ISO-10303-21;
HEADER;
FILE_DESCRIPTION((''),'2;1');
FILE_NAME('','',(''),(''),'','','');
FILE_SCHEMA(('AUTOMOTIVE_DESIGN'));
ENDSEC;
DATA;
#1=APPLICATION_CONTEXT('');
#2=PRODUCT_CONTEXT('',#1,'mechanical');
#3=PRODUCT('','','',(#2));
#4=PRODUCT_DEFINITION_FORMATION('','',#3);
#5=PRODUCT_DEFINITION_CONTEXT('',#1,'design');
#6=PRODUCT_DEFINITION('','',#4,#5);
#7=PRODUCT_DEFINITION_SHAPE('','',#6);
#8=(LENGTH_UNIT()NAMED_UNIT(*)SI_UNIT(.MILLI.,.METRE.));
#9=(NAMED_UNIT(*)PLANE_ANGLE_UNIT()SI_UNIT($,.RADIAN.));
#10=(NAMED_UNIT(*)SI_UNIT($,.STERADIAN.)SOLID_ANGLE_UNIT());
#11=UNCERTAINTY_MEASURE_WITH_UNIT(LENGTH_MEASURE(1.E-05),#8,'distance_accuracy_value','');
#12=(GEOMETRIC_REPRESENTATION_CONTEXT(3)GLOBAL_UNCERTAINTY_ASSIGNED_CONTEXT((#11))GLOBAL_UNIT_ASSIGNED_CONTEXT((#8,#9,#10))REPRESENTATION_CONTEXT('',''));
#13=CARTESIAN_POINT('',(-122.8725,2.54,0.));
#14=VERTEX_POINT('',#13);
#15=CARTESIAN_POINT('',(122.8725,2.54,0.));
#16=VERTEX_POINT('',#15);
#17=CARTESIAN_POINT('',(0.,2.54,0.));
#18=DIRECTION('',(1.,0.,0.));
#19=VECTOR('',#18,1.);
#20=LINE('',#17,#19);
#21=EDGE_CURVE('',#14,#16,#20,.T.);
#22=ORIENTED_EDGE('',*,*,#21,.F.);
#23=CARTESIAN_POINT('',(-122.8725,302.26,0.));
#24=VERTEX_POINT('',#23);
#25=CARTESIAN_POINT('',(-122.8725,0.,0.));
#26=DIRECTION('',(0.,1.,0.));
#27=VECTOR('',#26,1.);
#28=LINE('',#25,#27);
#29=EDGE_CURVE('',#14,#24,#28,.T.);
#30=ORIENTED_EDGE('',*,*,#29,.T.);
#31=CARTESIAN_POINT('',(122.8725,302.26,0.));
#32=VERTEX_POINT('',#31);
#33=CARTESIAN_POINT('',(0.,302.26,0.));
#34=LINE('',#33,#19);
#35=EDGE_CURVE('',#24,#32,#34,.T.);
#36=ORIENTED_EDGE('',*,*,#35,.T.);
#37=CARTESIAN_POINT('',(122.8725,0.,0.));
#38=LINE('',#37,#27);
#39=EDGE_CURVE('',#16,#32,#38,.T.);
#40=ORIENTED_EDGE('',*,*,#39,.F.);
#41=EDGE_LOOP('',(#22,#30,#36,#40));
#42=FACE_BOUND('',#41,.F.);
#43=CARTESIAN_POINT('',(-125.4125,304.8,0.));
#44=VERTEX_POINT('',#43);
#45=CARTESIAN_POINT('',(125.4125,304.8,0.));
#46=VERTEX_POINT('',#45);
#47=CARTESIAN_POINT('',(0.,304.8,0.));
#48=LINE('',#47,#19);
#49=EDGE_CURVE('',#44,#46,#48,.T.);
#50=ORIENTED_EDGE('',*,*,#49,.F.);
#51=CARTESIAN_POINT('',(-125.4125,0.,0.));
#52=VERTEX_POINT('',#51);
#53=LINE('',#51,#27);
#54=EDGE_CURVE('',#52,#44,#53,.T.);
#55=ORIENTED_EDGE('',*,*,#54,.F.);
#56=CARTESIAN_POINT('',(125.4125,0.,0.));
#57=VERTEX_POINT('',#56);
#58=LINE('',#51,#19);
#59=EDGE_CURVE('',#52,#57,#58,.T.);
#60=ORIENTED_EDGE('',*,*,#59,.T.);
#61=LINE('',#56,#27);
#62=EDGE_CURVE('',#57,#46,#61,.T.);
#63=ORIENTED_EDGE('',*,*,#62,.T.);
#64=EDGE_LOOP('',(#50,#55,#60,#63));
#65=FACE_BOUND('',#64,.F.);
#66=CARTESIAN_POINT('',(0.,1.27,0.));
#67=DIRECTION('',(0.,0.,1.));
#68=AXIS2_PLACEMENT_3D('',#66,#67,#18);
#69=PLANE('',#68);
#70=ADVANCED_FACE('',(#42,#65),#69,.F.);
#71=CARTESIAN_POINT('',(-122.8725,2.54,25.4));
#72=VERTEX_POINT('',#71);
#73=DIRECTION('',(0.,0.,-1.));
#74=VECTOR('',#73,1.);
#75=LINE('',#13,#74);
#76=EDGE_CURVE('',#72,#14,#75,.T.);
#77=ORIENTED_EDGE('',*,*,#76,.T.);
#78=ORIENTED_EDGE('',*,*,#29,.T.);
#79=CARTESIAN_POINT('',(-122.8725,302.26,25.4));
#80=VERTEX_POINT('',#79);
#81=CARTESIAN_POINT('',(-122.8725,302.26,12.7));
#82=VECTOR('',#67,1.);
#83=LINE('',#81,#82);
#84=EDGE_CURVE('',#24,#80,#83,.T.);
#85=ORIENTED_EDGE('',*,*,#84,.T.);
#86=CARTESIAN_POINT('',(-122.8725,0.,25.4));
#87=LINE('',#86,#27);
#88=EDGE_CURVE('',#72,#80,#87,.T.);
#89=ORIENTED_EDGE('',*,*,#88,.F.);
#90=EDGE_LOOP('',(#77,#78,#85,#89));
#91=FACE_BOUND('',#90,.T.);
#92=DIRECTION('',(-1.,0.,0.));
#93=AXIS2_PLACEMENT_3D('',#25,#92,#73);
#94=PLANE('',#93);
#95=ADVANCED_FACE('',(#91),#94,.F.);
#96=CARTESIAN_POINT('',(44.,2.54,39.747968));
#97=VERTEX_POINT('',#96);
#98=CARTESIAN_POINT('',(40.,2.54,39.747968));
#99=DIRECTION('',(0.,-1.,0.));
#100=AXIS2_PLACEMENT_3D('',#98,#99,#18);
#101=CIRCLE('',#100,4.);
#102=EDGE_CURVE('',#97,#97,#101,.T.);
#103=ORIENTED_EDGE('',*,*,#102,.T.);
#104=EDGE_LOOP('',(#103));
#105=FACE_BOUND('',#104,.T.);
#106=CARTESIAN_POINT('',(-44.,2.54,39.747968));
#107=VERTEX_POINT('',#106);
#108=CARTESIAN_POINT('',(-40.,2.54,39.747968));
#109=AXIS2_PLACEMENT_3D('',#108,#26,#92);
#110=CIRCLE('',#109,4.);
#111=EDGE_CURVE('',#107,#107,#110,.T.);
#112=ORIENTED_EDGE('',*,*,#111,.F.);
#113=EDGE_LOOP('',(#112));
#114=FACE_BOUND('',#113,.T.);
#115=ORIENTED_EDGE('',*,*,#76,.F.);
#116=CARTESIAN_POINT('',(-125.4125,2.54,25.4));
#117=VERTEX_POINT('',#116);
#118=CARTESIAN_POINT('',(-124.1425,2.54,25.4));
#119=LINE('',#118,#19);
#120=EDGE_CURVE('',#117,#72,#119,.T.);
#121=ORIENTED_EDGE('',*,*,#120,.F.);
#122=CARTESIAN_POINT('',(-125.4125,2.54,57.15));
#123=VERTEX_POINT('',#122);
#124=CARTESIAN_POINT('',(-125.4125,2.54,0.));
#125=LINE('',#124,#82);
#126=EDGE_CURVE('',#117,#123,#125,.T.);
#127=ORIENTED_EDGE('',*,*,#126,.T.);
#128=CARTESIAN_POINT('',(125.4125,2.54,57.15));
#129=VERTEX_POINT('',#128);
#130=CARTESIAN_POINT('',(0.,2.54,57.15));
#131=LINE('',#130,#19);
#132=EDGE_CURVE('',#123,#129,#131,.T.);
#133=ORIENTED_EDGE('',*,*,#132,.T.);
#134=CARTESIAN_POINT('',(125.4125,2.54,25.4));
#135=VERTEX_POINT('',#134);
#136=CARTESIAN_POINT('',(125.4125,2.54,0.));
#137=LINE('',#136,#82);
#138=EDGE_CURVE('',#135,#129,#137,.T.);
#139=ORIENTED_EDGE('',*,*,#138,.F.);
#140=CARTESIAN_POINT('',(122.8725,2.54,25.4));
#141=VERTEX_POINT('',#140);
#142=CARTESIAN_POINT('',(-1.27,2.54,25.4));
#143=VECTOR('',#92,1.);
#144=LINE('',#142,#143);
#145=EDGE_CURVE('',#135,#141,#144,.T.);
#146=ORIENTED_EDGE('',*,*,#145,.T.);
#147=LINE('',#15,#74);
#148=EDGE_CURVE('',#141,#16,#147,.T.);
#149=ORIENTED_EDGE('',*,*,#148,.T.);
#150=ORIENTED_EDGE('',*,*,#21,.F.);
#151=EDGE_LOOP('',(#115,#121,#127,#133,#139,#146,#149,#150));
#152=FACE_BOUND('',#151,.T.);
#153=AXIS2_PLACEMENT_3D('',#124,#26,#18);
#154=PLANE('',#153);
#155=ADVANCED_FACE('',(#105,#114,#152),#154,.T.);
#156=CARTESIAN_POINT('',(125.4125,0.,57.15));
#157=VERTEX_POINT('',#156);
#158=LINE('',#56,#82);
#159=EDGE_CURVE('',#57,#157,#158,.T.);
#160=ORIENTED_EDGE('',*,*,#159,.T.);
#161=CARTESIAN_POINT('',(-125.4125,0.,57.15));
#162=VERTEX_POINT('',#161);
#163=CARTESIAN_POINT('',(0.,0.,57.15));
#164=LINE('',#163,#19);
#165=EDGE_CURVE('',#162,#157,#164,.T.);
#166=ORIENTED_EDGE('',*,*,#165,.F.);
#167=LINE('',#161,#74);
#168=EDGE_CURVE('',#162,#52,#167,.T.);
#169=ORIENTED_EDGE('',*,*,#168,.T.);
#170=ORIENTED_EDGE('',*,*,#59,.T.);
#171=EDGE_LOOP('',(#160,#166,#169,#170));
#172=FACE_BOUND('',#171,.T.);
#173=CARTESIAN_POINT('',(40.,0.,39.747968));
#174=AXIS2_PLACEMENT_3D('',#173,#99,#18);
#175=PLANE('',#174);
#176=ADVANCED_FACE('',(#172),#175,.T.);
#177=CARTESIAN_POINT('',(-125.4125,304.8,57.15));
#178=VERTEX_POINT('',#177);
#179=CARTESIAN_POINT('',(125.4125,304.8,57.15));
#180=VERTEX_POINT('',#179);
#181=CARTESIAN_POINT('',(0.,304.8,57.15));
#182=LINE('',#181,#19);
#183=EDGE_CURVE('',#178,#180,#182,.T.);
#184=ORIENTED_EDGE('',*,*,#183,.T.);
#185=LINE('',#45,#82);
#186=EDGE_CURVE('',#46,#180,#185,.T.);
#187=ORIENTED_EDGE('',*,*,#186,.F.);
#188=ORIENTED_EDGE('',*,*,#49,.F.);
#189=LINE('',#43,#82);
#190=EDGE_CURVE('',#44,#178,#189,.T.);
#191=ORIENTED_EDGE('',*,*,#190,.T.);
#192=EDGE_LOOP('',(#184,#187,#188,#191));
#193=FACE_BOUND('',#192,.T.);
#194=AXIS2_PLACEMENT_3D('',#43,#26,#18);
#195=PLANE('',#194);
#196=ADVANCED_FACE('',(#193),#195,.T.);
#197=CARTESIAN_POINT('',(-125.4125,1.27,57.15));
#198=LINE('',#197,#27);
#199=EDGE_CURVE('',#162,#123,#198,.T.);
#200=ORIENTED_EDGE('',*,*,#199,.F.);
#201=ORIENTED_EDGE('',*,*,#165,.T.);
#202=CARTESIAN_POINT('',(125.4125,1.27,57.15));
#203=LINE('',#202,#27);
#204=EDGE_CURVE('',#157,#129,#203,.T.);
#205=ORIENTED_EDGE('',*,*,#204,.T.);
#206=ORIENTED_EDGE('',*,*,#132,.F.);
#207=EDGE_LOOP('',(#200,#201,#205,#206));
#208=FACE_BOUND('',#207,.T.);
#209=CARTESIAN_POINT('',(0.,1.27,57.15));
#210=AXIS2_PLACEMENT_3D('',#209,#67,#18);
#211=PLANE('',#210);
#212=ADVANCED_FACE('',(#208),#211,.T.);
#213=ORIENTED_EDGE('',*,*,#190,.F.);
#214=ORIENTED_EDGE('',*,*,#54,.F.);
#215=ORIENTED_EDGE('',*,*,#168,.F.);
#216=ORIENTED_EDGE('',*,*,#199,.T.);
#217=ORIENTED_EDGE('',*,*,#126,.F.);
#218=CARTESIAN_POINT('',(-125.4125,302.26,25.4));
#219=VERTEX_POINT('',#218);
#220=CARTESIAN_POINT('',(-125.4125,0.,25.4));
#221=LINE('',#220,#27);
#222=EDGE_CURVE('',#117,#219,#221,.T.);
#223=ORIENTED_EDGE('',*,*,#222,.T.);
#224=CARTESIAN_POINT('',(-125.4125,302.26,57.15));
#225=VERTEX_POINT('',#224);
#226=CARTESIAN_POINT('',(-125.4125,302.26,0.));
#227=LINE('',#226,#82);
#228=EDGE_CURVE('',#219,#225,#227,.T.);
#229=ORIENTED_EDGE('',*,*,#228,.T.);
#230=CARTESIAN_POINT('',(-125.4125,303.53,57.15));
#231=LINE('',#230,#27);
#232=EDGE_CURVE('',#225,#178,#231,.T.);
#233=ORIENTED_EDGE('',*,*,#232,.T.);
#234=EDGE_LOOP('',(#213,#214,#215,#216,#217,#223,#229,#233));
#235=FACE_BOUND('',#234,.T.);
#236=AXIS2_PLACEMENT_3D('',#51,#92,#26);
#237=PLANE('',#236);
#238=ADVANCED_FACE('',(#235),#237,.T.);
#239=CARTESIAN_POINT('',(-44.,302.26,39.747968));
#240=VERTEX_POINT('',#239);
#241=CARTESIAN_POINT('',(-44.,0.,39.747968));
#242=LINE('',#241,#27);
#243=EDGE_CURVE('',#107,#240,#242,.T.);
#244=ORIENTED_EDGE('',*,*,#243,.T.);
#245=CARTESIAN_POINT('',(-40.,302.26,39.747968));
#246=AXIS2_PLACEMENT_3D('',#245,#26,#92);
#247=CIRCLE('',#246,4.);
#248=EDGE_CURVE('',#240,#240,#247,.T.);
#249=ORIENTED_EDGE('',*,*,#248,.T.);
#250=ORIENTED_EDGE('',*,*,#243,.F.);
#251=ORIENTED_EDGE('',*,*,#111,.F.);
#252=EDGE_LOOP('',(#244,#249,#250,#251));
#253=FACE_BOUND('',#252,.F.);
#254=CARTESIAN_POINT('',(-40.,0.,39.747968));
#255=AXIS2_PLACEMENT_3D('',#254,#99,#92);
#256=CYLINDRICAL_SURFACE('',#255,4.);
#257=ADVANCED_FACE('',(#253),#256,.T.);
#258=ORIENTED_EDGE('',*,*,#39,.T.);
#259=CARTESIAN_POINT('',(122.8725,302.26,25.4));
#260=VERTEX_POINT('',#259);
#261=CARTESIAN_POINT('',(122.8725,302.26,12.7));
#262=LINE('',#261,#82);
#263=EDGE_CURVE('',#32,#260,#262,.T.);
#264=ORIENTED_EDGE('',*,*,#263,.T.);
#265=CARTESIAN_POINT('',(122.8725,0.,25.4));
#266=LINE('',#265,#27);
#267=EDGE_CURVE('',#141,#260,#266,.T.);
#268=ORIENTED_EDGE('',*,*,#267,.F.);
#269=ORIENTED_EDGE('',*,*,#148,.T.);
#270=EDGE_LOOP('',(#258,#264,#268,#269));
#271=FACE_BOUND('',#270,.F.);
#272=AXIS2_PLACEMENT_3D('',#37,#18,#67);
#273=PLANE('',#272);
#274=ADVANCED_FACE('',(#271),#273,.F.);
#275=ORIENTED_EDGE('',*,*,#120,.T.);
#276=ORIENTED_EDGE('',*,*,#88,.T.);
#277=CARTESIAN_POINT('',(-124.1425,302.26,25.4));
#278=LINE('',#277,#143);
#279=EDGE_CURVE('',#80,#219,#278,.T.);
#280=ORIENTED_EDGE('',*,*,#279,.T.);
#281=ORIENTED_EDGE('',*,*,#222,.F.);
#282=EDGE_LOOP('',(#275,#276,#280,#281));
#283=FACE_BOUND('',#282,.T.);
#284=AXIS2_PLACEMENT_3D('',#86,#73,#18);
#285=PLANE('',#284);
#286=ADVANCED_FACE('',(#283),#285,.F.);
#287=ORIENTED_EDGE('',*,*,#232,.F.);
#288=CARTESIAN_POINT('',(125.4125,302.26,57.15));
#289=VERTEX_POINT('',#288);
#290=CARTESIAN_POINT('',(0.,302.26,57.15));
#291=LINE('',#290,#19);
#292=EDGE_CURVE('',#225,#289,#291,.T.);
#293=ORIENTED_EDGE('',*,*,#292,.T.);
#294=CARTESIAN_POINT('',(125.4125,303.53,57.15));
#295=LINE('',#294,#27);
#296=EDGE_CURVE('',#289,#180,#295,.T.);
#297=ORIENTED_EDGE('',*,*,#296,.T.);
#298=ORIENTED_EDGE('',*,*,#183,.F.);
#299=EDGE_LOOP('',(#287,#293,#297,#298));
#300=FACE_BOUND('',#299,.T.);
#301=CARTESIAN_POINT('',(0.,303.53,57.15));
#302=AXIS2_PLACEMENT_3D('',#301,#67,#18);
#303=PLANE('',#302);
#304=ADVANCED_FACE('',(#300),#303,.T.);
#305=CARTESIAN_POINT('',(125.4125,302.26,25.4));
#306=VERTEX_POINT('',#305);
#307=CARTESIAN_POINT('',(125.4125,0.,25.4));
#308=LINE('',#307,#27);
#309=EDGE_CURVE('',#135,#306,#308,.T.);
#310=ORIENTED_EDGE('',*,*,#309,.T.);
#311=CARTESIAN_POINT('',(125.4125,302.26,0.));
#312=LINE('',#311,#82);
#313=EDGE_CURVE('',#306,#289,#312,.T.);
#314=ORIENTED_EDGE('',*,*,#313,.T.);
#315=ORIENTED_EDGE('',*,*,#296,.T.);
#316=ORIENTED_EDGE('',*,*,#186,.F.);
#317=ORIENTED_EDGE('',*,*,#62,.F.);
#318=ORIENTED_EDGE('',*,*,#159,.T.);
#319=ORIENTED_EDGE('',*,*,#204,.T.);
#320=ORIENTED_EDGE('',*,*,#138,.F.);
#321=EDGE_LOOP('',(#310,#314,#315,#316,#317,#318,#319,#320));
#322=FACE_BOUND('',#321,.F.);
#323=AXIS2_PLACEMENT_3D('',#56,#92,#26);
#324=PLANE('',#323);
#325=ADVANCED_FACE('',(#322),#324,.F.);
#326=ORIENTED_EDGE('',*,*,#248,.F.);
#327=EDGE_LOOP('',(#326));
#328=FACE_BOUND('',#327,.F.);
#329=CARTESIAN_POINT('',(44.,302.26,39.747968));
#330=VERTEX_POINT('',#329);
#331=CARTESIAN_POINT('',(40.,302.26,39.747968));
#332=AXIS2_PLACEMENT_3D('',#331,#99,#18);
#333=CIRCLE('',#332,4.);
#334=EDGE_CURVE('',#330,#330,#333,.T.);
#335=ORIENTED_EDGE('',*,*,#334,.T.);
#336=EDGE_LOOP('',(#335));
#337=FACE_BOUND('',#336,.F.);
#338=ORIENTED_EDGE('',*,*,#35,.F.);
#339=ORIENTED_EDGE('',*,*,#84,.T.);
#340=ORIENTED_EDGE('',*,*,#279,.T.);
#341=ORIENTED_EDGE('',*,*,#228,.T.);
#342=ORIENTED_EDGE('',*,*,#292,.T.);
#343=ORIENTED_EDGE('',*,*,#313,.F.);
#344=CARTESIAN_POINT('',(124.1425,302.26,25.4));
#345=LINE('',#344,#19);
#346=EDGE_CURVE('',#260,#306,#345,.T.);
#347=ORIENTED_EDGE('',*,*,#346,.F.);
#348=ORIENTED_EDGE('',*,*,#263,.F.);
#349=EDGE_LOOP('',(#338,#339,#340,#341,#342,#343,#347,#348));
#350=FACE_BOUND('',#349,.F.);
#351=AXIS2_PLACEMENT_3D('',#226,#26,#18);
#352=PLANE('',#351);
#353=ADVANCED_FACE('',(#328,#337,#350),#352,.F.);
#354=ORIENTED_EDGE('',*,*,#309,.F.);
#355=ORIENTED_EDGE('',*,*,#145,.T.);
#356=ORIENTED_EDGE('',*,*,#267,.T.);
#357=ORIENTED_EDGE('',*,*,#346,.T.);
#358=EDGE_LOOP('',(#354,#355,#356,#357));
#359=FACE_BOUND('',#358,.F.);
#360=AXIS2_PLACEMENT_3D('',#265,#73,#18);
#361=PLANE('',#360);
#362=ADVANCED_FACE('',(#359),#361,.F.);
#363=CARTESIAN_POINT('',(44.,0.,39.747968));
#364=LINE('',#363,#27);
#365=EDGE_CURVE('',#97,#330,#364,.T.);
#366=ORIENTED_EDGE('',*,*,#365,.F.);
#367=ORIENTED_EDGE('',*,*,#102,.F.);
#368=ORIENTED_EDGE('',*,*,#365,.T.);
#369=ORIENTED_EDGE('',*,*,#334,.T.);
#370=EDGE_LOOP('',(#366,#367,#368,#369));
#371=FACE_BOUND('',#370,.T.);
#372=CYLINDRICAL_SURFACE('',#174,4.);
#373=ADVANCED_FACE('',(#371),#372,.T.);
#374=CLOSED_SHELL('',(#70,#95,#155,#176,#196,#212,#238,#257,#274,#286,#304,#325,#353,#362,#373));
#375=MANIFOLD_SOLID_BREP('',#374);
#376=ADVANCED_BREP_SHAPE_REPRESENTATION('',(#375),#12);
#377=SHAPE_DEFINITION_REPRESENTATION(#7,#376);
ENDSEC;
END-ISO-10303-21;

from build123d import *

# Parameters (mm, degrees)
F1_W     = 250.825
F1_H     = 2.54
F2_DEPTH = 57.15
F3_W     = 2.54
F3_H     = 25.4
F4_DEPTH = 302.26
F6_R     = 4
F7_DEPTH = 302.26


with BuildPart() as f2:
    # F1 (on Top) → F2 (new body)
    with BuildSketch(Plane.XY):
        with Locations((0, 1.27)):
            Rectangle(F1_W, F1_H)
        with Locations((0, 303.53)):
            Rectangle(F1_W, F1_H)
    extrude(amount=F2_DEPTH)

    # F6 (on Front) → F7 (join, through all)
    with BuildSketch(Plane.XZ):
        with Locations((40, 39.747968)):
            Circle(F6_R)
    extrude(amount=-F7_DEPTH)



with BuildPart() as f4:
    # F3 (on Front) → F4 (new body, through all)
    with BuildSketch(Plane.XZ):
        with Locations((124.1425, 12.7)):
            Rectangle(F3_W, F3_H)
    extrude(amount=-F4_DEPTH)


with BuildPart() as f5_1:
    # F5: instance of F4
    add(f4.part.mirror(Plane.YZ))


with BuildPart() as f2_1:
    add(f2.part)

    add(f4.part)  # F8 merges F4

    add(f5_1.part)  # F8 merges F5_1
    # F8: F2 across plane


with BuildPart() as f2_2:
    add(f2_1.part)
    add(f2_1.part.mirror(Plane.YZ))


solid = f2_2.part
